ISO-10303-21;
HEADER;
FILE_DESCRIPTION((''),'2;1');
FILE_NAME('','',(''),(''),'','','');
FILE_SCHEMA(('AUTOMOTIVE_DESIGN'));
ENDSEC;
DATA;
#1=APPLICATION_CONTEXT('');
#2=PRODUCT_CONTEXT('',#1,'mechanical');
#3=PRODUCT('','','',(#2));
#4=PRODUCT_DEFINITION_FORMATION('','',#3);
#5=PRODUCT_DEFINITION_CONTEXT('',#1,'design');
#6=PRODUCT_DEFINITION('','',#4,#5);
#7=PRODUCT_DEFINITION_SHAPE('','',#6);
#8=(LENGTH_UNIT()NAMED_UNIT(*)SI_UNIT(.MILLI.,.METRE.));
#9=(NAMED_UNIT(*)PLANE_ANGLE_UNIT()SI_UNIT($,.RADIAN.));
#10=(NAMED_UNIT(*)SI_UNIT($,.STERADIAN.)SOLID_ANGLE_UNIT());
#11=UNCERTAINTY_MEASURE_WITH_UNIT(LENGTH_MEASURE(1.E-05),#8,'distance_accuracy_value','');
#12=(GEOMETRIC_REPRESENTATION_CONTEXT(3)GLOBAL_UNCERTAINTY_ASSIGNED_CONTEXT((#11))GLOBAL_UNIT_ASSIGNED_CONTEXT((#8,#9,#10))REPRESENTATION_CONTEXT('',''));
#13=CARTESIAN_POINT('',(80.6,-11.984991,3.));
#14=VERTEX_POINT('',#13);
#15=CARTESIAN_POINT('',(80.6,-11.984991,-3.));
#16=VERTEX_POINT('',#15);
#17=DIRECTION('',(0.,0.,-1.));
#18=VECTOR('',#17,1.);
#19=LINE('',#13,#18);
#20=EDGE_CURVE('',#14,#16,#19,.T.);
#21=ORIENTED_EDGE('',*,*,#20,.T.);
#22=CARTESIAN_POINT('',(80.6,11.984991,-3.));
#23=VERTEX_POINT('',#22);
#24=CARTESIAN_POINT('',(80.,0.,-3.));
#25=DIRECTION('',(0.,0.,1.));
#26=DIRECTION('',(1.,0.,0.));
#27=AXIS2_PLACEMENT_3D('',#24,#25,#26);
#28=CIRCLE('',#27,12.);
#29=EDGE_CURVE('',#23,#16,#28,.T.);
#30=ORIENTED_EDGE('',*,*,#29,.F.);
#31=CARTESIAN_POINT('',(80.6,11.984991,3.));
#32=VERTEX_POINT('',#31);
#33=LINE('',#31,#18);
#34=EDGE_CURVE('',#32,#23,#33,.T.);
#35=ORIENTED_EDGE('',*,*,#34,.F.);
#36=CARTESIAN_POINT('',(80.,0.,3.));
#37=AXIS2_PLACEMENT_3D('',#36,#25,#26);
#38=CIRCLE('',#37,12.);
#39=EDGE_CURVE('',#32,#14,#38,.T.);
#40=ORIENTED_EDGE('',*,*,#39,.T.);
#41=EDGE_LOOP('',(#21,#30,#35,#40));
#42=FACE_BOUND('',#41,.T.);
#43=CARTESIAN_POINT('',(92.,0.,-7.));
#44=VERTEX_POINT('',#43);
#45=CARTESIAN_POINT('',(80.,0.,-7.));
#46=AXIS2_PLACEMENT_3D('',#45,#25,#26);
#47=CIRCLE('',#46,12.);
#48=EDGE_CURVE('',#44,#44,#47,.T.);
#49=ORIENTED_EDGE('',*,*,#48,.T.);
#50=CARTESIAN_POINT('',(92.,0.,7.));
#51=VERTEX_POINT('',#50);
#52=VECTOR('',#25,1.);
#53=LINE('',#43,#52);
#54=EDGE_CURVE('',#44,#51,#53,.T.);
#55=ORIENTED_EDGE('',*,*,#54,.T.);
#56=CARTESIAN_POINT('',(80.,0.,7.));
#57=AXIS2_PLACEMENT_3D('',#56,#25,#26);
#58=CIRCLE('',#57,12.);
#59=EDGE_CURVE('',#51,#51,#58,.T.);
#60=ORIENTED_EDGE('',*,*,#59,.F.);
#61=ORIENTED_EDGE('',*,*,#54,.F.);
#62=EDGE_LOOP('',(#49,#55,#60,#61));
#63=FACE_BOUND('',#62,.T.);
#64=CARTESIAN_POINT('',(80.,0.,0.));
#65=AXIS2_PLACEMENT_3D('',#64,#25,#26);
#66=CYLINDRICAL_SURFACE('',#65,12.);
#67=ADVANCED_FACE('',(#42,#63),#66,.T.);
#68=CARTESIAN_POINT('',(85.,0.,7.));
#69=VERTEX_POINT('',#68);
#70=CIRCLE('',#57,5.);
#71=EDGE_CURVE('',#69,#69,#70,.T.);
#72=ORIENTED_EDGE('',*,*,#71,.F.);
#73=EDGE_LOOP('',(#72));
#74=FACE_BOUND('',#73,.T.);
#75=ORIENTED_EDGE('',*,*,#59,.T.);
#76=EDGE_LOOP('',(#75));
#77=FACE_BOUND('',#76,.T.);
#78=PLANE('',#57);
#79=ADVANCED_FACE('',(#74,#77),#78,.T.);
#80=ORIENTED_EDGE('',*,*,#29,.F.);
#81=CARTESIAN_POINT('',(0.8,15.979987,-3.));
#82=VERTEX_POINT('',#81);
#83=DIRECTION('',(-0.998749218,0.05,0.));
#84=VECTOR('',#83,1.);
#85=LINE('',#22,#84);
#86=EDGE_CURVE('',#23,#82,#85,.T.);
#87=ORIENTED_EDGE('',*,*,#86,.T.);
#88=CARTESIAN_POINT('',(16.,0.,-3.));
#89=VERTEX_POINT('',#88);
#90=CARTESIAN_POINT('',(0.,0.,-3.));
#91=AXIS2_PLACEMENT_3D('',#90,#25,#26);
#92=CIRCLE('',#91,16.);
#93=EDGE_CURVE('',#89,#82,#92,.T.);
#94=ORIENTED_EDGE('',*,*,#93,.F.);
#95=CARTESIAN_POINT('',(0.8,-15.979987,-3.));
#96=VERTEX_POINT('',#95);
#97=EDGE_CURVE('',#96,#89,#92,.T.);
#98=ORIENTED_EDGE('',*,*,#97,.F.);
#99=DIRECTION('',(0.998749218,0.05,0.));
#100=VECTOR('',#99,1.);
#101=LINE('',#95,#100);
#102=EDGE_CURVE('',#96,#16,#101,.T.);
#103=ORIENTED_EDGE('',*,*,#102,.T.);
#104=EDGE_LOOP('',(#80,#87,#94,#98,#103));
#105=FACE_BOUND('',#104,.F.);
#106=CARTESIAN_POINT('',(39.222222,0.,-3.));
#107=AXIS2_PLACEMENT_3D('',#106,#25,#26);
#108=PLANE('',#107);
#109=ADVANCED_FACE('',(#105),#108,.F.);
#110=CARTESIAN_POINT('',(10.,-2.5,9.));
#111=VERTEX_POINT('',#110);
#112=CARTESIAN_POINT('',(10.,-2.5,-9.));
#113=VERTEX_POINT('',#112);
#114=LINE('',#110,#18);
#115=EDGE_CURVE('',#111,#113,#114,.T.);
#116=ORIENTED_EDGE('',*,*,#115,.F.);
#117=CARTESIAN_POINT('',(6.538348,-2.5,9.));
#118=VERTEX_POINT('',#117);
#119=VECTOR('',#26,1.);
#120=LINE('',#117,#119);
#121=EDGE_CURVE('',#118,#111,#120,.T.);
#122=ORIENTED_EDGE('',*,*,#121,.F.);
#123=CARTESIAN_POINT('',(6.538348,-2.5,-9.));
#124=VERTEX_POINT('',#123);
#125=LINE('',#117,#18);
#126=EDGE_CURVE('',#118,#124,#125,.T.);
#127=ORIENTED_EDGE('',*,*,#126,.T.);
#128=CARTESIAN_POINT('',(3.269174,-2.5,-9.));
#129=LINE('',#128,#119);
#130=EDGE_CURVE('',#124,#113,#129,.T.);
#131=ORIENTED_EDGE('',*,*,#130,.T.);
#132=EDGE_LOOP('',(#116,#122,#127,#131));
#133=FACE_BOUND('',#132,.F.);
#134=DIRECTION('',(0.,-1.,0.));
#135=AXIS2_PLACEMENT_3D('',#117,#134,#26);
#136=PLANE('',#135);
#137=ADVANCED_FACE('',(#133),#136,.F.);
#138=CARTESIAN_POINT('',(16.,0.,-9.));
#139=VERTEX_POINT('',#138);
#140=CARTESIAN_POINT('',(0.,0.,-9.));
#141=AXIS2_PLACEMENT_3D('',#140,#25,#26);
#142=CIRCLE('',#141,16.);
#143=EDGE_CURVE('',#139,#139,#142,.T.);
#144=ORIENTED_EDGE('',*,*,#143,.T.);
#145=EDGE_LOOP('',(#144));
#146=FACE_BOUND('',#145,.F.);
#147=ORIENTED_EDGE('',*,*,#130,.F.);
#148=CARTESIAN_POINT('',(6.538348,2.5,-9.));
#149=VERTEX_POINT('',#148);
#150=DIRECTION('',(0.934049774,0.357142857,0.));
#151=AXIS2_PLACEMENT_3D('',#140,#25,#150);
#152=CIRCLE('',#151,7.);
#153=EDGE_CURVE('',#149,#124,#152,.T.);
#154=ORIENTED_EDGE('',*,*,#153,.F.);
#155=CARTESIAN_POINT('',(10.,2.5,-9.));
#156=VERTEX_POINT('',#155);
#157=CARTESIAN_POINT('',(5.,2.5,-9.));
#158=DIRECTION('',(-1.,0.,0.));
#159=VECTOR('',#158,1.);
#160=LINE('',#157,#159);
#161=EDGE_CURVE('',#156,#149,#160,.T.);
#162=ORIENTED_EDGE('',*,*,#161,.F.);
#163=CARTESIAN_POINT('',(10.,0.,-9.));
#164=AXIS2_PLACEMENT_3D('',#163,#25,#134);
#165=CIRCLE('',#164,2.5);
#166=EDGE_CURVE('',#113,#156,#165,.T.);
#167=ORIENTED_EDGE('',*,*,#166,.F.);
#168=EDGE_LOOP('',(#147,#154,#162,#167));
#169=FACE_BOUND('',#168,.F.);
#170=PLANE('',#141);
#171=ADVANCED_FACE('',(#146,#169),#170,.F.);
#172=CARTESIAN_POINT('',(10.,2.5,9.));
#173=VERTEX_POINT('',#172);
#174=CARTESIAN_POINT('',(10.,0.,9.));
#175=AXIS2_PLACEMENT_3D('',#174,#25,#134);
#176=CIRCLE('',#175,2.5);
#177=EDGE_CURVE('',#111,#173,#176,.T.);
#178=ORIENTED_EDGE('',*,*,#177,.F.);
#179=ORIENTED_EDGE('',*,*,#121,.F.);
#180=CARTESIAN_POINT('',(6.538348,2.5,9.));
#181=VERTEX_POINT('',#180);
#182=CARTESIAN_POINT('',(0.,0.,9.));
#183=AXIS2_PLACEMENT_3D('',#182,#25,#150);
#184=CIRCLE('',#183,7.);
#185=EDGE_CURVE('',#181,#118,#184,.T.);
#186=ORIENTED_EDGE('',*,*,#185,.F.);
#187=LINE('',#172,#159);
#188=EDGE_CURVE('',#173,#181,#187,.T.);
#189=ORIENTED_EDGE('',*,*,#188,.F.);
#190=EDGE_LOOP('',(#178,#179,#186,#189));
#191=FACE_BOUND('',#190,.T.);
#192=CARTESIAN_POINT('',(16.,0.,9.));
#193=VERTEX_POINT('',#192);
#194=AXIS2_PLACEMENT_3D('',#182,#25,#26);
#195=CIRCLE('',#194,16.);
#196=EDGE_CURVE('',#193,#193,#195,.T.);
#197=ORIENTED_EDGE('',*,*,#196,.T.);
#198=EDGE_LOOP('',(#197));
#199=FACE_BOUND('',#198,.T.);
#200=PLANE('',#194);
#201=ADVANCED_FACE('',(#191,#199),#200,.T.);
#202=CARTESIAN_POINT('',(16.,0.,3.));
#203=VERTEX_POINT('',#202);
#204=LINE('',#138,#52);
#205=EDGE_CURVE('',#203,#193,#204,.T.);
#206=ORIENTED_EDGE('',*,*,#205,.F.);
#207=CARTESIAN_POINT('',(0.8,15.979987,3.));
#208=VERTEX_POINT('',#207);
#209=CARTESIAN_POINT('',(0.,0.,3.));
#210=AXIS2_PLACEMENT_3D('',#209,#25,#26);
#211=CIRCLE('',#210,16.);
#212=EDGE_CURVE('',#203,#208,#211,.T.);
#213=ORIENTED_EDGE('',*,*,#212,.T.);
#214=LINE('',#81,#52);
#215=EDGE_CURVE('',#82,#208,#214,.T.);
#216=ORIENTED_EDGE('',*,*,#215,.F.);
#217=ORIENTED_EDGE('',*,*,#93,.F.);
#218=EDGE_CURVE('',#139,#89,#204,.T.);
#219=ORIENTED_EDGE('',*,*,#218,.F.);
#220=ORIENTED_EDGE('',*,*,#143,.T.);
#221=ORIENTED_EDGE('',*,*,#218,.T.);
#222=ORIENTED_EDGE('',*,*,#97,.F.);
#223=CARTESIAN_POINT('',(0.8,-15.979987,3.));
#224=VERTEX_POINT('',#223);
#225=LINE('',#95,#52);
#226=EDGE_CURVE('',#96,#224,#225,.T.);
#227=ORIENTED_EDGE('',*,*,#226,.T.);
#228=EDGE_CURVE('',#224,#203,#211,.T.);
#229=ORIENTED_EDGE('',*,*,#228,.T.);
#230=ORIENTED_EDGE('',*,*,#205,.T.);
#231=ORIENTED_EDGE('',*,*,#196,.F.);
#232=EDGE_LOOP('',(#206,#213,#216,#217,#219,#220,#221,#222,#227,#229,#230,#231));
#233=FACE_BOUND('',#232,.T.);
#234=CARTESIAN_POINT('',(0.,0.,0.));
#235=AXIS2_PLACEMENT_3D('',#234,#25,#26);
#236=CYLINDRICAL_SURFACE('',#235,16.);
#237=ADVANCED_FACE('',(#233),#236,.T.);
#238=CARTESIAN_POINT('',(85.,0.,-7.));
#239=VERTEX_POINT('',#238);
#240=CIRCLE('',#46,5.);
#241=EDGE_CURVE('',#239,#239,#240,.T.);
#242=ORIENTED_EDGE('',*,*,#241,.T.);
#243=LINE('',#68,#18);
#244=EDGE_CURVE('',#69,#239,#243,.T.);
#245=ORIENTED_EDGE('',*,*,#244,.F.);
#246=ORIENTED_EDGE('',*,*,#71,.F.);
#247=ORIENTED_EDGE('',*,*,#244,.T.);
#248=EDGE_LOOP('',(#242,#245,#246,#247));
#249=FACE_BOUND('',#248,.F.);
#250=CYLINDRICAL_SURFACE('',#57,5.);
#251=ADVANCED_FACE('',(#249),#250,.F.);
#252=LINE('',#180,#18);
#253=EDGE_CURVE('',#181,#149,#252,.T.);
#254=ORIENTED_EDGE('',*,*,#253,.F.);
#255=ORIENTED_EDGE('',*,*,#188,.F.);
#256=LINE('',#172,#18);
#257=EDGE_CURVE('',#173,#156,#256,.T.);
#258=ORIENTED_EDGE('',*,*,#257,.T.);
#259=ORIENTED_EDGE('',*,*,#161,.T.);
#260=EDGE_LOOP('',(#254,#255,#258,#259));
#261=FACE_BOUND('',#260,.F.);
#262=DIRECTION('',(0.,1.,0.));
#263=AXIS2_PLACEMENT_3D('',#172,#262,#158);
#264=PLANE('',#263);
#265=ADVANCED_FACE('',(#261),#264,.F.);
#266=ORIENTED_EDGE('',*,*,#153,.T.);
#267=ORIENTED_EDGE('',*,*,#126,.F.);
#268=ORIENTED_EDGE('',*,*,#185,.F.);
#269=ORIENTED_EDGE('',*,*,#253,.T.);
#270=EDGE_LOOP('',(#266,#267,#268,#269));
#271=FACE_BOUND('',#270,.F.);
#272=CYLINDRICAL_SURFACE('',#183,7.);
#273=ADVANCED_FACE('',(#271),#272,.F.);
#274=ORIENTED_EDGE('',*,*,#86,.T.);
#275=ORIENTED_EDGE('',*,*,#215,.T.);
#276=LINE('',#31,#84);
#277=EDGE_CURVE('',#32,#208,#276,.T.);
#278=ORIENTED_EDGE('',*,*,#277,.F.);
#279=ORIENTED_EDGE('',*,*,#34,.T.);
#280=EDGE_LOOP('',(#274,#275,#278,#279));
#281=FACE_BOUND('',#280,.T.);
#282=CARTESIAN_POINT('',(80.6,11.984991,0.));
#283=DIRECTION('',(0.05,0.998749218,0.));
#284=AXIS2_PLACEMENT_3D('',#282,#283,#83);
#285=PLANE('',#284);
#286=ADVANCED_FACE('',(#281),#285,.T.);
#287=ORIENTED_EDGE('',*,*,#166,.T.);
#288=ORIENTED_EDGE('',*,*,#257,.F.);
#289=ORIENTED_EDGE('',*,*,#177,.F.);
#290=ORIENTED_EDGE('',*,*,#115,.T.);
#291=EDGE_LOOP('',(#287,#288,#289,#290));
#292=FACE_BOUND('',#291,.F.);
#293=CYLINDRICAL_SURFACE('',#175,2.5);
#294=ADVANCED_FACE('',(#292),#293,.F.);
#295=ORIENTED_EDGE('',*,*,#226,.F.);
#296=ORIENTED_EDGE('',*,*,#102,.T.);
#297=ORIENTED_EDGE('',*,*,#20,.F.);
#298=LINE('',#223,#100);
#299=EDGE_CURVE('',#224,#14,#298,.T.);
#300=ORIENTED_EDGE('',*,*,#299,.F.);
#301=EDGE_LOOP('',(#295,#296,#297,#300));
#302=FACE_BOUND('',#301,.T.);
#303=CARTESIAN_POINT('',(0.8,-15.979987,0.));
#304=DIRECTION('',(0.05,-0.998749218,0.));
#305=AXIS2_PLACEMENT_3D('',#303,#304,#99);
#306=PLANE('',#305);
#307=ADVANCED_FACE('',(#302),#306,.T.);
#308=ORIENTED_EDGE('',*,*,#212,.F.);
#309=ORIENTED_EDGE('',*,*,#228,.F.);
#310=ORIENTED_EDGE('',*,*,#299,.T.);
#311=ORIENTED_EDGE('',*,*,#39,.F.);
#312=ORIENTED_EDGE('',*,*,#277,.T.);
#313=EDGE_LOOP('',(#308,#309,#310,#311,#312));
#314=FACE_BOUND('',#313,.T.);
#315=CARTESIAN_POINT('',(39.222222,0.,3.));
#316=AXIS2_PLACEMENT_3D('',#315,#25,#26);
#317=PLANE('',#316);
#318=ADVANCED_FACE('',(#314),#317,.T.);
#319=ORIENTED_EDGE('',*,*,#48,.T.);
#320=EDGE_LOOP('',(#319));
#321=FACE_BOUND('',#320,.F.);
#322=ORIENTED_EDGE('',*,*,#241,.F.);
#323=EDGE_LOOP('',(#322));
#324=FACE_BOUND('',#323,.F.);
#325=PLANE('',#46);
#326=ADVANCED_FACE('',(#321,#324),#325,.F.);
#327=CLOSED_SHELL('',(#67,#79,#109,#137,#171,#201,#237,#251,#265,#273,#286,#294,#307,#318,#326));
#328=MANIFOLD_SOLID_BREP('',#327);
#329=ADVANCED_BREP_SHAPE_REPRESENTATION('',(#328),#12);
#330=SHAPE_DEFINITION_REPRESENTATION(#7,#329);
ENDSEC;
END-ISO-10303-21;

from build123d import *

# Parameters (mm, degrees)
F0_R          = 16
F1_DEPTH      = 9
F1_DEPTH_BACK = 9
F2_R          = 12
F3_DEPTH      = 7
F3_DEPTH_BACK = 7
F5_DEPTH      = 3
F5_DEPTH_BACK = 3
F7_DEPTH      = 18.001
F8_R          = 5
F9_DEPTH      = 16.001


with BuildPart() as f1:
    # F0 (on Top) → F1 (new body, two sides)
    with BuildSketch(Plane.XY) as f1_sk:
        Circle(F0_R)
    extrude(amount=F1_DEPTH)
    extrude(f1_sk.sketch, amount=-F1_DEPTH_BACK)



with BuildPart() as f3:
    # F2 (on Top) → F3 (new body, two sides)
    with BuildSketch(Plane.XY) as f3_sk:
        with Locations((80, 0)):
            Circle(F2_R)
    extrude(amount=F3_DEPTH)
    extrude(f3_sk.sketch, amount=-F3_DEPTH_BACK)


with BuildPart() as f1_1:
    add(f1.part)

    add(f3.part)  # F5 merges F3
    # F4 (on Top) → F5 (join, two sides)
    with BuildSketch(Plane.XY) as f5_sk:
        Polygon((80.6, 11.9849906133), (0.8, 15.9799874844), (0.8, -15.9799874844), (80.6, -11.9849906133), align=None)
    extrude(amount=F5_DEPTH)
    extrude(f5_sk.sketch, amount=-F5_DEPTH_BACK)

    # F6 (on face) → F7 (cut, through all)
    with BuildSketch(Plane.XY.offset(9)):
        with BuildLine():
            Line((10, 2.5), (6.5383484153, 2.5))
            ThreePointArc((6.5383484153, 2.5), (-7, 0), (6.5383484153, -2.5))
            Line((6.5383484153, -2.5), (10, -2.5))
            ThreePointArc((10, -2.5), (12.5, 0), (10, 2.5))
        make_face()
    extrude(amount=-F7_DEPTH, mode=Mode.SUBTRACT)

    # F8 (on face) → F9 (cut, through all)
    with BuildSketch(Plane.XY.offset(7)):
        with Locations((80, 0)):
            Circle(F8_R)
    extrude(amount=-F9_DEPTH, mode=Mode.SUBTRACT)


solid = f1_1.part
